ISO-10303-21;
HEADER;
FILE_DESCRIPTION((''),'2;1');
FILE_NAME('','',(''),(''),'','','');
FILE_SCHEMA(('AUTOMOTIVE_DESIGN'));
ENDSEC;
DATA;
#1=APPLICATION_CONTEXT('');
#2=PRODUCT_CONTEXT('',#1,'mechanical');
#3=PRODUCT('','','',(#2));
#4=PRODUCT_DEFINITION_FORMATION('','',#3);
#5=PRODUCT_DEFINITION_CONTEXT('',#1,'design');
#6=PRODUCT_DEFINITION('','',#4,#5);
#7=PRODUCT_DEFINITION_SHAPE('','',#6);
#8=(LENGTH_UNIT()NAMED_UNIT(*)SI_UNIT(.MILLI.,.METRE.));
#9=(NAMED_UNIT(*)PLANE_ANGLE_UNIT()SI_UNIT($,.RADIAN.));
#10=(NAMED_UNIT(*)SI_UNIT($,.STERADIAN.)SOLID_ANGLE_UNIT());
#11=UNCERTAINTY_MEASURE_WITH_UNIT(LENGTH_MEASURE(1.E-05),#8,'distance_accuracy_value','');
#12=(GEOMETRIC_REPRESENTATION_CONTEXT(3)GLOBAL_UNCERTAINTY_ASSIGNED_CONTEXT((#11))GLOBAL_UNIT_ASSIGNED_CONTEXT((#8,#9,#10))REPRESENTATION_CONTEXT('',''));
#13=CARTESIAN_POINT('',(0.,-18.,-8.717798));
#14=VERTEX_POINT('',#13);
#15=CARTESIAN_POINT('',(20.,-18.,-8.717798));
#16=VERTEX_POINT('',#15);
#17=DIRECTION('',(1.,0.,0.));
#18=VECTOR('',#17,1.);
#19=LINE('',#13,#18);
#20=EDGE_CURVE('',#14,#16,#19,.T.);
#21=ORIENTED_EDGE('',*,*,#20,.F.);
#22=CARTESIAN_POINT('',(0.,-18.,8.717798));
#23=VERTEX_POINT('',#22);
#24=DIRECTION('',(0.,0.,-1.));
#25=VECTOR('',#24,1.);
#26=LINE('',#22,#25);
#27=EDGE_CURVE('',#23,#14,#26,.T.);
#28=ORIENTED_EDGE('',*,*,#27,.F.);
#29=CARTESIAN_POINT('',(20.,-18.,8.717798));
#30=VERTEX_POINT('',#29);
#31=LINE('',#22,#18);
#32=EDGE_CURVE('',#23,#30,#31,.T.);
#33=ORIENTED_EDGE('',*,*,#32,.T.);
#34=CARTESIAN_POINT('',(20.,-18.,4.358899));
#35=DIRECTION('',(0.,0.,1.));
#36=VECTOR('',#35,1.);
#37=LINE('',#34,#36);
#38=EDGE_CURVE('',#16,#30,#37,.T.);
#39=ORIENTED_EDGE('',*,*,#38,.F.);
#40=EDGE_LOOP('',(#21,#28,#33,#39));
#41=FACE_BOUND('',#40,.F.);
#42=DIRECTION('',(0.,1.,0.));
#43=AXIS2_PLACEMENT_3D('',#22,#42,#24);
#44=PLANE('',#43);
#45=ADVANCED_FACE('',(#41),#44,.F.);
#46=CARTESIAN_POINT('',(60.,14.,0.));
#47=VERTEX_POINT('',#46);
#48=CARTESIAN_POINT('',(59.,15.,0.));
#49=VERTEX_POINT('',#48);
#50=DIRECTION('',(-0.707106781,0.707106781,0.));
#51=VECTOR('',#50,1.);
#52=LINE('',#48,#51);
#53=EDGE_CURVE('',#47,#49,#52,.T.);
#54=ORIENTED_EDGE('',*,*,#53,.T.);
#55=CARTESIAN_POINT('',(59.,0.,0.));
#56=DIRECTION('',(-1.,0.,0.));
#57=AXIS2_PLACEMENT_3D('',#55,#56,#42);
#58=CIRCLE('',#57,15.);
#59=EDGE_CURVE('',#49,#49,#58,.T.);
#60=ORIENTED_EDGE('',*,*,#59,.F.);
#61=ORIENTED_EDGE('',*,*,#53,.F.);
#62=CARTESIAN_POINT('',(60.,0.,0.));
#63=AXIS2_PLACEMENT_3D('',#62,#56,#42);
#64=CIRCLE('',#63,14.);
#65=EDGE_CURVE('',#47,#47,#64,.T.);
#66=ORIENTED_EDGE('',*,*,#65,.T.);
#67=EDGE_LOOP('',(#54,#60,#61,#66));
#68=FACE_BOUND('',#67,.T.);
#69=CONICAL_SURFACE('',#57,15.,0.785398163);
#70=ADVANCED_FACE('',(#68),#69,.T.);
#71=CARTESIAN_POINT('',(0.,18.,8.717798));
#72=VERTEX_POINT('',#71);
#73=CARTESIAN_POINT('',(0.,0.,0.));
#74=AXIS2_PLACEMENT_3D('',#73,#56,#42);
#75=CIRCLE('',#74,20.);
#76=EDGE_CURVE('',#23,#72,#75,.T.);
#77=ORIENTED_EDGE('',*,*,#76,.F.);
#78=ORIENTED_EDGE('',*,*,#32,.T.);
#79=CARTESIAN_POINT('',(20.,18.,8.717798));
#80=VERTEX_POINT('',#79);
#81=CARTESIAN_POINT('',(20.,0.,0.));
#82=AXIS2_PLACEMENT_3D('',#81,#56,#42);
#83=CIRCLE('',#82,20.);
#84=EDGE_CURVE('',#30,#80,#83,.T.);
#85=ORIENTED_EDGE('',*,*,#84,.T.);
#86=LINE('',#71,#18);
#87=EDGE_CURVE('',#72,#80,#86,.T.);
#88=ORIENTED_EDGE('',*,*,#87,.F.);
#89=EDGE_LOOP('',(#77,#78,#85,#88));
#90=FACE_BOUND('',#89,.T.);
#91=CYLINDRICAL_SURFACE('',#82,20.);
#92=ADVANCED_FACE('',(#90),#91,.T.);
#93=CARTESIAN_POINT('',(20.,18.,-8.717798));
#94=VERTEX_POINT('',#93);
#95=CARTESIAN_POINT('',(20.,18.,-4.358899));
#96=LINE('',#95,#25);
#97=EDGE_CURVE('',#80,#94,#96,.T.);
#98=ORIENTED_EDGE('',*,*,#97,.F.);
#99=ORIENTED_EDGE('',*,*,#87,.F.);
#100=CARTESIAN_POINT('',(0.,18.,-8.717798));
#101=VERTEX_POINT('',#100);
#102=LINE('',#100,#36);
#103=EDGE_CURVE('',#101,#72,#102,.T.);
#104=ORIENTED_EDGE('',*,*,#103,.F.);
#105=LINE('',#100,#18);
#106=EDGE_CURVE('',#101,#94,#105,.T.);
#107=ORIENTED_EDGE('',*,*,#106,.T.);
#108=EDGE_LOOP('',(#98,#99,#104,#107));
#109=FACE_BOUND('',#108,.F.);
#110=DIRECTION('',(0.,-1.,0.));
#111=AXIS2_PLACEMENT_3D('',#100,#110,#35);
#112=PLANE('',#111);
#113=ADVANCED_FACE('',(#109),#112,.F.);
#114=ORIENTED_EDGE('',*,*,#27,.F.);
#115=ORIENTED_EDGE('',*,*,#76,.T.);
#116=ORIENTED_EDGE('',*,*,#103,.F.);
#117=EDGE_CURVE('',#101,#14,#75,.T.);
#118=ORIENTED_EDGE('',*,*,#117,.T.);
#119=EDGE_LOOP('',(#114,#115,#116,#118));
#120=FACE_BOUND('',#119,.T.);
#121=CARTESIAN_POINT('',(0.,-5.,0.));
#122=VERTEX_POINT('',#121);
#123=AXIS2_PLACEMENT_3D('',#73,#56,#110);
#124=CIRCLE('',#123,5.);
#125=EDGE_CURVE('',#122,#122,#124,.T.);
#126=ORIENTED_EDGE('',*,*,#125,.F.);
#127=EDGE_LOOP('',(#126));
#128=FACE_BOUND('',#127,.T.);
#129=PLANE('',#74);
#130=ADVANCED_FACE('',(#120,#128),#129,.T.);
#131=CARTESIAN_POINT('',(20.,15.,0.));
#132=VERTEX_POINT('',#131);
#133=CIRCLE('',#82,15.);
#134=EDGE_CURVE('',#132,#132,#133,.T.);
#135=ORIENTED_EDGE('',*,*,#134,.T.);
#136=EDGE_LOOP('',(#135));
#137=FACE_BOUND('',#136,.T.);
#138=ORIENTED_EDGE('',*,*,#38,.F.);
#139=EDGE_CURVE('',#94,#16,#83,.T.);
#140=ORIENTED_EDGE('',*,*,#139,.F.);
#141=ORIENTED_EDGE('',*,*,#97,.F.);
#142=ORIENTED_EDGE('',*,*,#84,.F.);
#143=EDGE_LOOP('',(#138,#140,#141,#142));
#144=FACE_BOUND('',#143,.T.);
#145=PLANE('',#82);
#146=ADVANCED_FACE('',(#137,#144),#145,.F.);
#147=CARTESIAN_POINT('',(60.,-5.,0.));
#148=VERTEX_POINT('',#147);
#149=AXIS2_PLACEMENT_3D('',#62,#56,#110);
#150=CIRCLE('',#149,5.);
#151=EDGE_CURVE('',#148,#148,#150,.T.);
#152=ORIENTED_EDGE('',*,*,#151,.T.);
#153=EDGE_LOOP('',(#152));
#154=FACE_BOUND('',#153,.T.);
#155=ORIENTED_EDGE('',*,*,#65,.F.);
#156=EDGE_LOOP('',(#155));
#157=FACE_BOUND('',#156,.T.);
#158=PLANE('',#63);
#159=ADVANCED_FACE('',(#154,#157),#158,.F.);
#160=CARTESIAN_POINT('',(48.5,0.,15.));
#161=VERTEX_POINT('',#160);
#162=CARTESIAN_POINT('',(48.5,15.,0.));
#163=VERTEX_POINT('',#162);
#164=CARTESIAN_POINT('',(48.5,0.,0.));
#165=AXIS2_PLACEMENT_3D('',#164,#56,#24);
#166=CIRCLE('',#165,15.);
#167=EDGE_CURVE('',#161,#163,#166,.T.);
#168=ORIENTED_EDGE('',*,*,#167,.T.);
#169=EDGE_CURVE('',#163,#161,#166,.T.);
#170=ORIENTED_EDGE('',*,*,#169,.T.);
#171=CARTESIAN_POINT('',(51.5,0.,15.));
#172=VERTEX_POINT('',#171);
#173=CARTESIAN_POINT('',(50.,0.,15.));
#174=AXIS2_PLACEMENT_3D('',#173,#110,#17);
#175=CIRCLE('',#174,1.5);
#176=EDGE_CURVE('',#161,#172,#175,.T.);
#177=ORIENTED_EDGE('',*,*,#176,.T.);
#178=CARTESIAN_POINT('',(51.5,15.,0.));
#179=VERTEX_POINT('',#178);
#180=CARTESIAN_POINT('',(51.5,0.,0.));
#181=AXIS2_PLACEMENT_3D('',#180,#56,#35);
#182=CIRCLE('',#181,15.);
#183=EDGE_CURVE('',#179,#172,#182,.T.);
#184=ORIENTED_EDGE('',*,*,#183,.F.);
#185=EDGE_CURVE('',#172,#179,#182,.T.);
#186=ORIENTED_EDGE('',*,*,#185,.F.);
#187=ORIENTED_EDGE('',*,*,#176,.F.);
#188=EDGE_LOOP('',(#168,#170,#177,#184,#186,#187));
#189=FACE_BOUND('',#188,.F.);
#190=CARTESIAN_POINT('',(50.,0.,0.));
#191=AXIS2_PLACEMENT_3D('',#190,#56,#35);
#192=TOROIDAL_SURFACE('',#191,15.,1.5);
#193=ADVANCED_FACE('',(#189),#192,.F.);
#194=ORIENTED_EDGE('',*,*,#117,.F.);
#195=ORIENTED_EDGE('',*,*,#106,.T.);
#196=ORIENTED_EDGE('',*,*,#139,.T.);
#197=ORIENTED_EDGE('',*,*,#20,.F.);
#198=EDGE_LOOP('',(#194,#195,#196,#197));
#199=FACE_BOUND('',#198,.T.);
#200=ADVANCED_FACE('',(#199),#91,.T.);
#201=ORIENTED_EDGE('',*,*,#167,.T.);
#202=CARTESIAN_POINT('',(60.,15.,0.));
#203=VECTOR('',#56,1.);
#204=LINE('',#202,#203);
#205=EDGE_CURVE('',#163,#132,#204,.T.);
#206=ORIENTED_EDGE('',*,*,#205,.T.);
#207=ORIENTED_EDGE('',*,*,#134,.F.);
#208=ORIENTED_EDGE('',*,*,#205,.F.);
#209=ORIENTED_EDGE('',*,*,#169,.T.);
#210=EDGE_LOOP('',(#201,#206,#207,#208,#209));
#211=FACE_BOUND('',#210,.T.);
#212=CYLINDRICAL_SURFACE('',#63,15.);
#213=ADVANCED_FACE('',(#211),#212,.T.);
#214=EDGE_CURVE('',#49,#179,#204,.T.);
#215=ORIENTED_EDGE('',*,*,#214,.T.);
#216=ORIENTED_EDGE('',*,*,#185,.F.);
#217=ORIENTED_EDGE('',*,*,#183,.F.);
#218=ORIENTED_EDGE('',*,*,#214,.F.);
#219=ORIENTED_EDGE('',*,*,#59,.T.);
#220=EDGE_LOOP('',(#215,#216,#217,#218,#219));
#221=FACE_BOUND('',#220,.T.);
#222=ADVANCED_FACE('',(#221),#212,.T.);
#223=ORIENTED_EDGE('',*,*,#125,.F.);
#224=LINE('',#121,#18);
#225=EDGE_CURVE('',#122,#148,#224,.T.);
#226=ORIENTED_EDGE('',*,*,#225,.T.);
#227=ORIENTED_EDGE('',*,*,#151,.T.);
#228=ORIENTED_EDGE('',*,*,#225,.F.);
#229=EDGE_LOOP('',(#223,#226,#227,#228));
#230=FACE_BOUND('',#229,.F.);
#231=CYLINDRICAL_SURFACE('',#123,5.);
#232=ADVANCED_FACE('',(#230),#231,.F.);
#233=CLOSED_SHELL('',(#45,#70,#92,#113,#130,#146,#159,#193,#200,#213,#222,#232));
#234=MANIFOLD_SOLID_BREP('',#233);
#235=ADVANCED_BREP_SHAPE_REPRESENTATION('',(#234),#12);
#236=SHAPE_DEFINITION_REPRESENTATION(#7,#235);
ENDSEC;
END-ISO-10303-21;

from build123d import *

# Parameters (mm, degrees)
F2_SIZE  = 1
F4_DEPTH = 60.001
F5_R     = 5
F6_DEPTH = 60.001
F7_R     = 1.5


with BuildPart() as f1:
    # F0 (on Top) → F1 (revolve)
    with BuildSketch(Plane.XY):
        Polygon((0, 20), (0, 0), (60, 0), (60, 15), (20, 15), (20, 20), align=None)
    revolve(axis=Axis((30, 0, 0), (-1, 0, 0)))

    # F2
    f2_edges = [f1.edges().sort_by_distance(p)[0] for p in [
        (60, -15, 0),
    ]]
    chamfer(f2_edges, length=F2_SIZE)

    # F3 (on face) → F4 (cut, through all)
    with BuildSketch(Plane(origin=(0, 0, 0), x_dir=(0, -1, 0), z_dir=(-1, 0, 0))):
        with BuildLine():
            Line((-18, -8.7177978871), (-18, 8.7177978871))
            ThreePointArc((-18, 8.7177978871), (-20, 0), (-18, -8.7177978871))
        make_face()
        with BuildLine():
            ThreePointArc((20, 0), (19.4935886896, 4.472135955), (18, 8.7177978871))
            Line((18, 8.7177978871), (18, -8.7177978871))
            ThreePointArc((18, -8.7177978871), (19.4935886896, -4.472135955), (20, 0))
        make_face()
    extrude(amount=-F4_DEPTH, mode=Mode.SUBTRACT)

    # F5 (on face) → F6 (cut, through all)
    with BuildSketch(Plane(origin=(0, 0, 0), x_dir=(0, -1, 0), z_dir=(-1, 0, 0))):
        Circle(F5_R)
    extrude(amount=-F6_DEPTH, mode=Mode.SUBTRACT)

    # F7 (on Front) → F8 (revolve, cut)
    with BuildSketch(Plane.XZ):
        with Locations((50, 15)):
            Circle(F7_R)
    revolve(axis=Axis((60, 0, 0), (-1, 0, 0)), mode=Mode.SUBTRACT)


solid = f1.part
